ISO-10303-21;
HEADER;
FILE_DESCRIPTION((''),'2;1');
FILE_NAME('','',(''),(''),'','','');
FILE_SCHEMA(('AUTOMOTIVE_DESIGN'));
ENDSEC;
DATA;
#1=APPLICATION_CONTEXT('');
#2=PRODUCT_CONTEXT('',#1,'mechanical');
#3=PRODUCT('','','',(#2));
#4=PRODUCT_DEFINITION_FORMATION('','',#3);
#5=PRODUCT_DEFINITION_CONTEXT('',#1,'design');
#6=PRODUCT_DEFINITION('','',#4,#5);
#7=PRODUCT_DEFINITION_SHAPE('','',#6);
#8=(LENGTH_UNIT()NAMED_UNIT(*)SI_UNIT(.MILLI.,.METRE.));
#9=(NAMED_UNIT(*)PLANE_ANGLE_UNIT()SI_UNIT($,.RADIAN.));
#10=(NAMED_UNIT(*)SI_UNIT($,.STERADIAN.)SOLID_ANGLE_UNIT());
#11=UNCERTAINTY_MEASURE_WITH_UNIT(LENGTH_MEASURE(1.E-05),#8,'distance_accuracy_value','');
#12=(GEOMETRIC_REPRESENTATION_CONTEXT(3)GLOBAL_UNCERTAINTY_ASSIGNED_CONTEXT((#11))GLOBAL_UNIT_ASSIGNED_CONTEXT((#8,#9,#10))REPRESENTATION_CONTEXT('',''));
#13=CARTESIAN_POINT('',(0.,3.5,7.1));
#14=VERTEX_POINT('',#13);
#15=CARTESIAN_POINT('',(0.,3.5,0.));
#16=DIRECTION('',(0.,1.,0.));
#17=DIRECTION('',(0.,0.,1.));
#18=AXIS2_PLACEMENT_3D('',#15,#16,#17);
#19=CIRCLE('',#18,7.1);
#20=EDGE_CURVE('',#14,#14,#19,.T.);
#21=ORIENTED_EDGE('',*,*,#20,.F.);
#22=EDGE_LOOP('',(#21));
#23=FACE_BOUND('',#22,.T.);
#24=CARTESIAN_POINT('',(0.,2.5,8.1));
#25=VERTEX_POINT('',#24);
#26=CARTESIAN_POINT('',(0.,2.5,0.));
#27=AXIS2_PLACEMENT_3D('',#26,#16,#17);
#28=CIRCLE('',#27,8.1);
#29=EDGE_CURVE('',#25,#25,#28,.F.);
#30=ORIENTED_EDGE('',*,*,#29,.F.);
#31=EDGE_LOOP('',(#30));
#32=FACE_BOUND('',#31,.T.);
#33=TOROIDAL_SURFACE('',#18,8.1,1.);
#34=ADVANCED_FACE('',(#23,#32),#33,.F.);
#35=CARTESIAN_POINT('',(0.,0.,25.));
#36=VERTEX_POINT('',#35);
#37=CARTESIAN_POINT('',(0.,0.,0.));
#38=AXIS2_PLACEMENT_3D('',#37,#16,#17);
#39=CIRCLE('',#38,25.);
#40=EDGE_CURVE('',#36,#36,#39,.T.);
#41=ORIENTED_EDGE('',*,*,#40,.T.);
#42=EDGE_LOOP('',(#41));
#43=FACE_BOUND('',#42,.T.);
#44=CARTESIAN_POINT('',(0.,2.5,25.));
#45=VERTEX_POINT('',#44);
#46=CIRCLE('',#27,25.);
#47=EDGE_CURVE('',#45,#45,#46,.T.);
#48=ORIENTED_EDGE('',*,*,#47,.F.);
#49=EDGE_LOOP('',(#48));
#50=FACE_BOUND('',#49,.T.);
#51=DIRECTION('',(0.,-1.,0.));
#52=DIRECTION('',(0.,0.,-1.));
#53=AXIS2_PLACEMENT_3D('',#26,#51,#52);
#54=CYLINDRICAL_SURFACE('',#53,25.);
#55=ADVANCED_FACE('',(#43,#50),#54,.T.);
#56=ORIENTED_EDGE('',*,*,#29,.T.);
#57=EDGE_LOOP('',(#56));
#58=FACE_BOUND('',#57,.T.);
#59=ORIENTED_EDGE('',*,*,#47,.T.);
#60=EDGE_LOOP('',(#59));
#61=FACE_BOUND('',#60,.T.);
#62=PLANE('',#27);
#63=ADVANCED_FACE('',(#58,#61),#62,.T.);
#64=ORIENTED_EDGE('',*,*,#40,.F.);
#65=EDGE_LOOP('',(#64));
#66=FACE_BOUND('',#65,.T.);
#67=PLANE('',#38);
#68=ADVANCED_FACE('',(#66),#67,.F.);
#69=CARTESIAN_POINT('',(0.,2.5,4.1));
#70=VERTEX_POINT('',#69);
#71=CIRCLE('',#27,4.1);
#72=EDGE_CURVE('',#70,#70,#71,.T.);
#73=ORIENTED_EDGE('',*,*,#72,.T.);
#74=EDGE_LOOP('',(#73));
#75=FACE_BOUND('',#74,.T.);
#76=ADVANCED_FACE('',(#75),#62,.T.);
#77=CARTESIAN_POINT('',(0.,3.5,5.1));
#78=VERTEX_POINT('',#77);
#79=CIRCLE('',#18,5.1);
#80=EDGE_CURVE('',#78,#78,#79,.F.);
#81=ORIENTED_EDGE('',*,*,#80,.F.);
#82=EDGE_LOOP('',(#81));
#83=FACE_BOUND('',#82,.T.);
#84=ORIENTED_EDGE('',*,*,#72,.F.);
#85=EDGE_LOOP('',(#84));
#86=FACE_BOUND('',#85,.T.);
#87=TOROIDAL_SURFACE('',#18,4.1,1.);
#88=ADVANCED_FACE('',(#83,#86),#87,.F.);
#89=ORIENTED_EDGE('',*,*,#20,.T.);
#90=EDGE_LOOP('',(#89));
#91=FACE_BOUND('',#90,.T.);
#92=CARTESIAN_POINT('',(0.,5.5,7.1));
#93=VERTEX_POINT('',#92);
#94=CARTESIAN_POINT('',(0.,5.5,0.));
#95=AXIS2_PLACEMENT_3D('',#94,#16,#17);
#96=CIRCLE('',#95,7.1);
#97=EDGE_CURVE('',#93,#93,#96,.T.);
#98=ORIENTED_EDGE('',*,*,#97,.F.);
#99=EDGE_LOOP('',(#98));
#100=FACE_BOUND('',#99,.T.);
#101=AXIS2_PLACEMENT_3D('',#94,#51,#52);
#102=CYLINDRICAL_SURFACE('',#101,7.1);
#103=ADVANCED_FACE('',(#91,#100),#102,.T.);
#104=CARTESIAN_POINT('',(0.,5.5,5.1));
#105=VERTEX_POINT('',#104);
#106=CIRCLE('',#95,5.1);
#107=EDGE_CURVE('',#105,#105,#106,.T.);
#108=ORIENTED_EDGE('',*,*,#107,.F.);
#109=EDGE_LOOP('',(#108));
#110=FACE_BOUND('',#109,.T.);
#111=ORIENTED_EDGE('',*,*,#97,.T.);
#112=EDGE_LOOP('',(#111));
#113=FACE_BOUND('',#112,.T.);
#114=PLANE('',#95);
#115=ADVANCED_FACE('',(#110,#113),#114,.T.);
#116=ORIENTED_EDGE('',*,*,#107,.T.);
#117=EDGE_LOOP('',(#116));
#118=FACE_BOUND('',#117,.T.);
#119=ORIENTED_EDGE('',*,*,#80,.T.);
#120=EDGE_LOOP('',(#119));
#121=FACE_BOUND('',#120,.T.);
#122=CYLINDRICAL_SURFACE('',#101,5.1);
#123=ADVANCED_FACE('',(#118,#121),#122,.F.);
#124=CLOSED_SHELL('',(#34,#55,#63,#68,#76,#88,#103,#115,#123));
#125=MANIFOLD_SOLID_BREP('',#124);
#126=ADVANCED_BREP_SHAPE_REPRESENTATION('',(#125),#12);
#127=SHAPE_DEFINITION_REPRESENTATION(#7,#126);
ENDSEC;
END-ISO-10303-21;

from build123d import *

# Parameters (mm, degrees)
SKETCH2_R           = 25
SKETCH2_R_2         = 5.1
BOSS_EXTRUDE1_DEPTH = 2.5
SKETCH3_R           = 7.1
SKETCH3_R_2         = 5.1
BOSS_EXTRUDE2_DEPTH = 3
FILLET1_R           = 1
FILLET2_R           = 1


with BuildPart() as part:
    # Sketch2 → Boss-Extrude1 (new body)
    # profile 1 of 2: a face of its own
    with BuildSketch(Plane(origin=(0, 0, 0), x_dir=(1, 0, 0), z_dir=(0, 1, 0))):
        with Locations(Location((0, 0, 0), (0, 0, 270))):
            Circle(SKETCH2_R)
        Circle(SKETCH2_R_2, mode=Mode.SUBTRACT)
    # profile 2 of 2: a face of its own
    with BuildSketch(Plane(origin=(0, 0, 0), x_dir=(1, 0, 0), z_dir=(0, 1, 0))):
        Circle(SKETCH2_R_2)
    extrude(amount=BOSS_EXTRUDE1_DEPTH)

    # Sketch3 → Boss-Extrude2 (add)
    with BuildSketch(Plane(origin=(0, 2.5, 0), x_dir=(1, 0, 0), z_dir=(0, 1, 0))):
        with Locations(Location((0, 0, 0), (0, 0, 270))):
            Circle(SKETCH3_R)
        with Locations(Location((0, 0, 0), (0, 0, 270))):
            Circle(SKETCH3_R_2, mode=Mode.SUBTRACT)
    extrude(amount=BOSS_EXTRUDE2_DEPTH)

    # Fillet1
    fillet1_edges = [part.edges().sort_by_distance(p)[0] for p in [
        (0, 2.5, -5.1),
    ]]
    fillet(fillet1_edges, radius=FILLET1_R)

    # Fillet2
    fillet2_edges = [part.edges().sort_by_distance(p)[0] for p in [
        (0, 2.5, -7.1),
    ]]
    fillet(fillet2_edges, radius=FILLET2_R)


solid = part.part
